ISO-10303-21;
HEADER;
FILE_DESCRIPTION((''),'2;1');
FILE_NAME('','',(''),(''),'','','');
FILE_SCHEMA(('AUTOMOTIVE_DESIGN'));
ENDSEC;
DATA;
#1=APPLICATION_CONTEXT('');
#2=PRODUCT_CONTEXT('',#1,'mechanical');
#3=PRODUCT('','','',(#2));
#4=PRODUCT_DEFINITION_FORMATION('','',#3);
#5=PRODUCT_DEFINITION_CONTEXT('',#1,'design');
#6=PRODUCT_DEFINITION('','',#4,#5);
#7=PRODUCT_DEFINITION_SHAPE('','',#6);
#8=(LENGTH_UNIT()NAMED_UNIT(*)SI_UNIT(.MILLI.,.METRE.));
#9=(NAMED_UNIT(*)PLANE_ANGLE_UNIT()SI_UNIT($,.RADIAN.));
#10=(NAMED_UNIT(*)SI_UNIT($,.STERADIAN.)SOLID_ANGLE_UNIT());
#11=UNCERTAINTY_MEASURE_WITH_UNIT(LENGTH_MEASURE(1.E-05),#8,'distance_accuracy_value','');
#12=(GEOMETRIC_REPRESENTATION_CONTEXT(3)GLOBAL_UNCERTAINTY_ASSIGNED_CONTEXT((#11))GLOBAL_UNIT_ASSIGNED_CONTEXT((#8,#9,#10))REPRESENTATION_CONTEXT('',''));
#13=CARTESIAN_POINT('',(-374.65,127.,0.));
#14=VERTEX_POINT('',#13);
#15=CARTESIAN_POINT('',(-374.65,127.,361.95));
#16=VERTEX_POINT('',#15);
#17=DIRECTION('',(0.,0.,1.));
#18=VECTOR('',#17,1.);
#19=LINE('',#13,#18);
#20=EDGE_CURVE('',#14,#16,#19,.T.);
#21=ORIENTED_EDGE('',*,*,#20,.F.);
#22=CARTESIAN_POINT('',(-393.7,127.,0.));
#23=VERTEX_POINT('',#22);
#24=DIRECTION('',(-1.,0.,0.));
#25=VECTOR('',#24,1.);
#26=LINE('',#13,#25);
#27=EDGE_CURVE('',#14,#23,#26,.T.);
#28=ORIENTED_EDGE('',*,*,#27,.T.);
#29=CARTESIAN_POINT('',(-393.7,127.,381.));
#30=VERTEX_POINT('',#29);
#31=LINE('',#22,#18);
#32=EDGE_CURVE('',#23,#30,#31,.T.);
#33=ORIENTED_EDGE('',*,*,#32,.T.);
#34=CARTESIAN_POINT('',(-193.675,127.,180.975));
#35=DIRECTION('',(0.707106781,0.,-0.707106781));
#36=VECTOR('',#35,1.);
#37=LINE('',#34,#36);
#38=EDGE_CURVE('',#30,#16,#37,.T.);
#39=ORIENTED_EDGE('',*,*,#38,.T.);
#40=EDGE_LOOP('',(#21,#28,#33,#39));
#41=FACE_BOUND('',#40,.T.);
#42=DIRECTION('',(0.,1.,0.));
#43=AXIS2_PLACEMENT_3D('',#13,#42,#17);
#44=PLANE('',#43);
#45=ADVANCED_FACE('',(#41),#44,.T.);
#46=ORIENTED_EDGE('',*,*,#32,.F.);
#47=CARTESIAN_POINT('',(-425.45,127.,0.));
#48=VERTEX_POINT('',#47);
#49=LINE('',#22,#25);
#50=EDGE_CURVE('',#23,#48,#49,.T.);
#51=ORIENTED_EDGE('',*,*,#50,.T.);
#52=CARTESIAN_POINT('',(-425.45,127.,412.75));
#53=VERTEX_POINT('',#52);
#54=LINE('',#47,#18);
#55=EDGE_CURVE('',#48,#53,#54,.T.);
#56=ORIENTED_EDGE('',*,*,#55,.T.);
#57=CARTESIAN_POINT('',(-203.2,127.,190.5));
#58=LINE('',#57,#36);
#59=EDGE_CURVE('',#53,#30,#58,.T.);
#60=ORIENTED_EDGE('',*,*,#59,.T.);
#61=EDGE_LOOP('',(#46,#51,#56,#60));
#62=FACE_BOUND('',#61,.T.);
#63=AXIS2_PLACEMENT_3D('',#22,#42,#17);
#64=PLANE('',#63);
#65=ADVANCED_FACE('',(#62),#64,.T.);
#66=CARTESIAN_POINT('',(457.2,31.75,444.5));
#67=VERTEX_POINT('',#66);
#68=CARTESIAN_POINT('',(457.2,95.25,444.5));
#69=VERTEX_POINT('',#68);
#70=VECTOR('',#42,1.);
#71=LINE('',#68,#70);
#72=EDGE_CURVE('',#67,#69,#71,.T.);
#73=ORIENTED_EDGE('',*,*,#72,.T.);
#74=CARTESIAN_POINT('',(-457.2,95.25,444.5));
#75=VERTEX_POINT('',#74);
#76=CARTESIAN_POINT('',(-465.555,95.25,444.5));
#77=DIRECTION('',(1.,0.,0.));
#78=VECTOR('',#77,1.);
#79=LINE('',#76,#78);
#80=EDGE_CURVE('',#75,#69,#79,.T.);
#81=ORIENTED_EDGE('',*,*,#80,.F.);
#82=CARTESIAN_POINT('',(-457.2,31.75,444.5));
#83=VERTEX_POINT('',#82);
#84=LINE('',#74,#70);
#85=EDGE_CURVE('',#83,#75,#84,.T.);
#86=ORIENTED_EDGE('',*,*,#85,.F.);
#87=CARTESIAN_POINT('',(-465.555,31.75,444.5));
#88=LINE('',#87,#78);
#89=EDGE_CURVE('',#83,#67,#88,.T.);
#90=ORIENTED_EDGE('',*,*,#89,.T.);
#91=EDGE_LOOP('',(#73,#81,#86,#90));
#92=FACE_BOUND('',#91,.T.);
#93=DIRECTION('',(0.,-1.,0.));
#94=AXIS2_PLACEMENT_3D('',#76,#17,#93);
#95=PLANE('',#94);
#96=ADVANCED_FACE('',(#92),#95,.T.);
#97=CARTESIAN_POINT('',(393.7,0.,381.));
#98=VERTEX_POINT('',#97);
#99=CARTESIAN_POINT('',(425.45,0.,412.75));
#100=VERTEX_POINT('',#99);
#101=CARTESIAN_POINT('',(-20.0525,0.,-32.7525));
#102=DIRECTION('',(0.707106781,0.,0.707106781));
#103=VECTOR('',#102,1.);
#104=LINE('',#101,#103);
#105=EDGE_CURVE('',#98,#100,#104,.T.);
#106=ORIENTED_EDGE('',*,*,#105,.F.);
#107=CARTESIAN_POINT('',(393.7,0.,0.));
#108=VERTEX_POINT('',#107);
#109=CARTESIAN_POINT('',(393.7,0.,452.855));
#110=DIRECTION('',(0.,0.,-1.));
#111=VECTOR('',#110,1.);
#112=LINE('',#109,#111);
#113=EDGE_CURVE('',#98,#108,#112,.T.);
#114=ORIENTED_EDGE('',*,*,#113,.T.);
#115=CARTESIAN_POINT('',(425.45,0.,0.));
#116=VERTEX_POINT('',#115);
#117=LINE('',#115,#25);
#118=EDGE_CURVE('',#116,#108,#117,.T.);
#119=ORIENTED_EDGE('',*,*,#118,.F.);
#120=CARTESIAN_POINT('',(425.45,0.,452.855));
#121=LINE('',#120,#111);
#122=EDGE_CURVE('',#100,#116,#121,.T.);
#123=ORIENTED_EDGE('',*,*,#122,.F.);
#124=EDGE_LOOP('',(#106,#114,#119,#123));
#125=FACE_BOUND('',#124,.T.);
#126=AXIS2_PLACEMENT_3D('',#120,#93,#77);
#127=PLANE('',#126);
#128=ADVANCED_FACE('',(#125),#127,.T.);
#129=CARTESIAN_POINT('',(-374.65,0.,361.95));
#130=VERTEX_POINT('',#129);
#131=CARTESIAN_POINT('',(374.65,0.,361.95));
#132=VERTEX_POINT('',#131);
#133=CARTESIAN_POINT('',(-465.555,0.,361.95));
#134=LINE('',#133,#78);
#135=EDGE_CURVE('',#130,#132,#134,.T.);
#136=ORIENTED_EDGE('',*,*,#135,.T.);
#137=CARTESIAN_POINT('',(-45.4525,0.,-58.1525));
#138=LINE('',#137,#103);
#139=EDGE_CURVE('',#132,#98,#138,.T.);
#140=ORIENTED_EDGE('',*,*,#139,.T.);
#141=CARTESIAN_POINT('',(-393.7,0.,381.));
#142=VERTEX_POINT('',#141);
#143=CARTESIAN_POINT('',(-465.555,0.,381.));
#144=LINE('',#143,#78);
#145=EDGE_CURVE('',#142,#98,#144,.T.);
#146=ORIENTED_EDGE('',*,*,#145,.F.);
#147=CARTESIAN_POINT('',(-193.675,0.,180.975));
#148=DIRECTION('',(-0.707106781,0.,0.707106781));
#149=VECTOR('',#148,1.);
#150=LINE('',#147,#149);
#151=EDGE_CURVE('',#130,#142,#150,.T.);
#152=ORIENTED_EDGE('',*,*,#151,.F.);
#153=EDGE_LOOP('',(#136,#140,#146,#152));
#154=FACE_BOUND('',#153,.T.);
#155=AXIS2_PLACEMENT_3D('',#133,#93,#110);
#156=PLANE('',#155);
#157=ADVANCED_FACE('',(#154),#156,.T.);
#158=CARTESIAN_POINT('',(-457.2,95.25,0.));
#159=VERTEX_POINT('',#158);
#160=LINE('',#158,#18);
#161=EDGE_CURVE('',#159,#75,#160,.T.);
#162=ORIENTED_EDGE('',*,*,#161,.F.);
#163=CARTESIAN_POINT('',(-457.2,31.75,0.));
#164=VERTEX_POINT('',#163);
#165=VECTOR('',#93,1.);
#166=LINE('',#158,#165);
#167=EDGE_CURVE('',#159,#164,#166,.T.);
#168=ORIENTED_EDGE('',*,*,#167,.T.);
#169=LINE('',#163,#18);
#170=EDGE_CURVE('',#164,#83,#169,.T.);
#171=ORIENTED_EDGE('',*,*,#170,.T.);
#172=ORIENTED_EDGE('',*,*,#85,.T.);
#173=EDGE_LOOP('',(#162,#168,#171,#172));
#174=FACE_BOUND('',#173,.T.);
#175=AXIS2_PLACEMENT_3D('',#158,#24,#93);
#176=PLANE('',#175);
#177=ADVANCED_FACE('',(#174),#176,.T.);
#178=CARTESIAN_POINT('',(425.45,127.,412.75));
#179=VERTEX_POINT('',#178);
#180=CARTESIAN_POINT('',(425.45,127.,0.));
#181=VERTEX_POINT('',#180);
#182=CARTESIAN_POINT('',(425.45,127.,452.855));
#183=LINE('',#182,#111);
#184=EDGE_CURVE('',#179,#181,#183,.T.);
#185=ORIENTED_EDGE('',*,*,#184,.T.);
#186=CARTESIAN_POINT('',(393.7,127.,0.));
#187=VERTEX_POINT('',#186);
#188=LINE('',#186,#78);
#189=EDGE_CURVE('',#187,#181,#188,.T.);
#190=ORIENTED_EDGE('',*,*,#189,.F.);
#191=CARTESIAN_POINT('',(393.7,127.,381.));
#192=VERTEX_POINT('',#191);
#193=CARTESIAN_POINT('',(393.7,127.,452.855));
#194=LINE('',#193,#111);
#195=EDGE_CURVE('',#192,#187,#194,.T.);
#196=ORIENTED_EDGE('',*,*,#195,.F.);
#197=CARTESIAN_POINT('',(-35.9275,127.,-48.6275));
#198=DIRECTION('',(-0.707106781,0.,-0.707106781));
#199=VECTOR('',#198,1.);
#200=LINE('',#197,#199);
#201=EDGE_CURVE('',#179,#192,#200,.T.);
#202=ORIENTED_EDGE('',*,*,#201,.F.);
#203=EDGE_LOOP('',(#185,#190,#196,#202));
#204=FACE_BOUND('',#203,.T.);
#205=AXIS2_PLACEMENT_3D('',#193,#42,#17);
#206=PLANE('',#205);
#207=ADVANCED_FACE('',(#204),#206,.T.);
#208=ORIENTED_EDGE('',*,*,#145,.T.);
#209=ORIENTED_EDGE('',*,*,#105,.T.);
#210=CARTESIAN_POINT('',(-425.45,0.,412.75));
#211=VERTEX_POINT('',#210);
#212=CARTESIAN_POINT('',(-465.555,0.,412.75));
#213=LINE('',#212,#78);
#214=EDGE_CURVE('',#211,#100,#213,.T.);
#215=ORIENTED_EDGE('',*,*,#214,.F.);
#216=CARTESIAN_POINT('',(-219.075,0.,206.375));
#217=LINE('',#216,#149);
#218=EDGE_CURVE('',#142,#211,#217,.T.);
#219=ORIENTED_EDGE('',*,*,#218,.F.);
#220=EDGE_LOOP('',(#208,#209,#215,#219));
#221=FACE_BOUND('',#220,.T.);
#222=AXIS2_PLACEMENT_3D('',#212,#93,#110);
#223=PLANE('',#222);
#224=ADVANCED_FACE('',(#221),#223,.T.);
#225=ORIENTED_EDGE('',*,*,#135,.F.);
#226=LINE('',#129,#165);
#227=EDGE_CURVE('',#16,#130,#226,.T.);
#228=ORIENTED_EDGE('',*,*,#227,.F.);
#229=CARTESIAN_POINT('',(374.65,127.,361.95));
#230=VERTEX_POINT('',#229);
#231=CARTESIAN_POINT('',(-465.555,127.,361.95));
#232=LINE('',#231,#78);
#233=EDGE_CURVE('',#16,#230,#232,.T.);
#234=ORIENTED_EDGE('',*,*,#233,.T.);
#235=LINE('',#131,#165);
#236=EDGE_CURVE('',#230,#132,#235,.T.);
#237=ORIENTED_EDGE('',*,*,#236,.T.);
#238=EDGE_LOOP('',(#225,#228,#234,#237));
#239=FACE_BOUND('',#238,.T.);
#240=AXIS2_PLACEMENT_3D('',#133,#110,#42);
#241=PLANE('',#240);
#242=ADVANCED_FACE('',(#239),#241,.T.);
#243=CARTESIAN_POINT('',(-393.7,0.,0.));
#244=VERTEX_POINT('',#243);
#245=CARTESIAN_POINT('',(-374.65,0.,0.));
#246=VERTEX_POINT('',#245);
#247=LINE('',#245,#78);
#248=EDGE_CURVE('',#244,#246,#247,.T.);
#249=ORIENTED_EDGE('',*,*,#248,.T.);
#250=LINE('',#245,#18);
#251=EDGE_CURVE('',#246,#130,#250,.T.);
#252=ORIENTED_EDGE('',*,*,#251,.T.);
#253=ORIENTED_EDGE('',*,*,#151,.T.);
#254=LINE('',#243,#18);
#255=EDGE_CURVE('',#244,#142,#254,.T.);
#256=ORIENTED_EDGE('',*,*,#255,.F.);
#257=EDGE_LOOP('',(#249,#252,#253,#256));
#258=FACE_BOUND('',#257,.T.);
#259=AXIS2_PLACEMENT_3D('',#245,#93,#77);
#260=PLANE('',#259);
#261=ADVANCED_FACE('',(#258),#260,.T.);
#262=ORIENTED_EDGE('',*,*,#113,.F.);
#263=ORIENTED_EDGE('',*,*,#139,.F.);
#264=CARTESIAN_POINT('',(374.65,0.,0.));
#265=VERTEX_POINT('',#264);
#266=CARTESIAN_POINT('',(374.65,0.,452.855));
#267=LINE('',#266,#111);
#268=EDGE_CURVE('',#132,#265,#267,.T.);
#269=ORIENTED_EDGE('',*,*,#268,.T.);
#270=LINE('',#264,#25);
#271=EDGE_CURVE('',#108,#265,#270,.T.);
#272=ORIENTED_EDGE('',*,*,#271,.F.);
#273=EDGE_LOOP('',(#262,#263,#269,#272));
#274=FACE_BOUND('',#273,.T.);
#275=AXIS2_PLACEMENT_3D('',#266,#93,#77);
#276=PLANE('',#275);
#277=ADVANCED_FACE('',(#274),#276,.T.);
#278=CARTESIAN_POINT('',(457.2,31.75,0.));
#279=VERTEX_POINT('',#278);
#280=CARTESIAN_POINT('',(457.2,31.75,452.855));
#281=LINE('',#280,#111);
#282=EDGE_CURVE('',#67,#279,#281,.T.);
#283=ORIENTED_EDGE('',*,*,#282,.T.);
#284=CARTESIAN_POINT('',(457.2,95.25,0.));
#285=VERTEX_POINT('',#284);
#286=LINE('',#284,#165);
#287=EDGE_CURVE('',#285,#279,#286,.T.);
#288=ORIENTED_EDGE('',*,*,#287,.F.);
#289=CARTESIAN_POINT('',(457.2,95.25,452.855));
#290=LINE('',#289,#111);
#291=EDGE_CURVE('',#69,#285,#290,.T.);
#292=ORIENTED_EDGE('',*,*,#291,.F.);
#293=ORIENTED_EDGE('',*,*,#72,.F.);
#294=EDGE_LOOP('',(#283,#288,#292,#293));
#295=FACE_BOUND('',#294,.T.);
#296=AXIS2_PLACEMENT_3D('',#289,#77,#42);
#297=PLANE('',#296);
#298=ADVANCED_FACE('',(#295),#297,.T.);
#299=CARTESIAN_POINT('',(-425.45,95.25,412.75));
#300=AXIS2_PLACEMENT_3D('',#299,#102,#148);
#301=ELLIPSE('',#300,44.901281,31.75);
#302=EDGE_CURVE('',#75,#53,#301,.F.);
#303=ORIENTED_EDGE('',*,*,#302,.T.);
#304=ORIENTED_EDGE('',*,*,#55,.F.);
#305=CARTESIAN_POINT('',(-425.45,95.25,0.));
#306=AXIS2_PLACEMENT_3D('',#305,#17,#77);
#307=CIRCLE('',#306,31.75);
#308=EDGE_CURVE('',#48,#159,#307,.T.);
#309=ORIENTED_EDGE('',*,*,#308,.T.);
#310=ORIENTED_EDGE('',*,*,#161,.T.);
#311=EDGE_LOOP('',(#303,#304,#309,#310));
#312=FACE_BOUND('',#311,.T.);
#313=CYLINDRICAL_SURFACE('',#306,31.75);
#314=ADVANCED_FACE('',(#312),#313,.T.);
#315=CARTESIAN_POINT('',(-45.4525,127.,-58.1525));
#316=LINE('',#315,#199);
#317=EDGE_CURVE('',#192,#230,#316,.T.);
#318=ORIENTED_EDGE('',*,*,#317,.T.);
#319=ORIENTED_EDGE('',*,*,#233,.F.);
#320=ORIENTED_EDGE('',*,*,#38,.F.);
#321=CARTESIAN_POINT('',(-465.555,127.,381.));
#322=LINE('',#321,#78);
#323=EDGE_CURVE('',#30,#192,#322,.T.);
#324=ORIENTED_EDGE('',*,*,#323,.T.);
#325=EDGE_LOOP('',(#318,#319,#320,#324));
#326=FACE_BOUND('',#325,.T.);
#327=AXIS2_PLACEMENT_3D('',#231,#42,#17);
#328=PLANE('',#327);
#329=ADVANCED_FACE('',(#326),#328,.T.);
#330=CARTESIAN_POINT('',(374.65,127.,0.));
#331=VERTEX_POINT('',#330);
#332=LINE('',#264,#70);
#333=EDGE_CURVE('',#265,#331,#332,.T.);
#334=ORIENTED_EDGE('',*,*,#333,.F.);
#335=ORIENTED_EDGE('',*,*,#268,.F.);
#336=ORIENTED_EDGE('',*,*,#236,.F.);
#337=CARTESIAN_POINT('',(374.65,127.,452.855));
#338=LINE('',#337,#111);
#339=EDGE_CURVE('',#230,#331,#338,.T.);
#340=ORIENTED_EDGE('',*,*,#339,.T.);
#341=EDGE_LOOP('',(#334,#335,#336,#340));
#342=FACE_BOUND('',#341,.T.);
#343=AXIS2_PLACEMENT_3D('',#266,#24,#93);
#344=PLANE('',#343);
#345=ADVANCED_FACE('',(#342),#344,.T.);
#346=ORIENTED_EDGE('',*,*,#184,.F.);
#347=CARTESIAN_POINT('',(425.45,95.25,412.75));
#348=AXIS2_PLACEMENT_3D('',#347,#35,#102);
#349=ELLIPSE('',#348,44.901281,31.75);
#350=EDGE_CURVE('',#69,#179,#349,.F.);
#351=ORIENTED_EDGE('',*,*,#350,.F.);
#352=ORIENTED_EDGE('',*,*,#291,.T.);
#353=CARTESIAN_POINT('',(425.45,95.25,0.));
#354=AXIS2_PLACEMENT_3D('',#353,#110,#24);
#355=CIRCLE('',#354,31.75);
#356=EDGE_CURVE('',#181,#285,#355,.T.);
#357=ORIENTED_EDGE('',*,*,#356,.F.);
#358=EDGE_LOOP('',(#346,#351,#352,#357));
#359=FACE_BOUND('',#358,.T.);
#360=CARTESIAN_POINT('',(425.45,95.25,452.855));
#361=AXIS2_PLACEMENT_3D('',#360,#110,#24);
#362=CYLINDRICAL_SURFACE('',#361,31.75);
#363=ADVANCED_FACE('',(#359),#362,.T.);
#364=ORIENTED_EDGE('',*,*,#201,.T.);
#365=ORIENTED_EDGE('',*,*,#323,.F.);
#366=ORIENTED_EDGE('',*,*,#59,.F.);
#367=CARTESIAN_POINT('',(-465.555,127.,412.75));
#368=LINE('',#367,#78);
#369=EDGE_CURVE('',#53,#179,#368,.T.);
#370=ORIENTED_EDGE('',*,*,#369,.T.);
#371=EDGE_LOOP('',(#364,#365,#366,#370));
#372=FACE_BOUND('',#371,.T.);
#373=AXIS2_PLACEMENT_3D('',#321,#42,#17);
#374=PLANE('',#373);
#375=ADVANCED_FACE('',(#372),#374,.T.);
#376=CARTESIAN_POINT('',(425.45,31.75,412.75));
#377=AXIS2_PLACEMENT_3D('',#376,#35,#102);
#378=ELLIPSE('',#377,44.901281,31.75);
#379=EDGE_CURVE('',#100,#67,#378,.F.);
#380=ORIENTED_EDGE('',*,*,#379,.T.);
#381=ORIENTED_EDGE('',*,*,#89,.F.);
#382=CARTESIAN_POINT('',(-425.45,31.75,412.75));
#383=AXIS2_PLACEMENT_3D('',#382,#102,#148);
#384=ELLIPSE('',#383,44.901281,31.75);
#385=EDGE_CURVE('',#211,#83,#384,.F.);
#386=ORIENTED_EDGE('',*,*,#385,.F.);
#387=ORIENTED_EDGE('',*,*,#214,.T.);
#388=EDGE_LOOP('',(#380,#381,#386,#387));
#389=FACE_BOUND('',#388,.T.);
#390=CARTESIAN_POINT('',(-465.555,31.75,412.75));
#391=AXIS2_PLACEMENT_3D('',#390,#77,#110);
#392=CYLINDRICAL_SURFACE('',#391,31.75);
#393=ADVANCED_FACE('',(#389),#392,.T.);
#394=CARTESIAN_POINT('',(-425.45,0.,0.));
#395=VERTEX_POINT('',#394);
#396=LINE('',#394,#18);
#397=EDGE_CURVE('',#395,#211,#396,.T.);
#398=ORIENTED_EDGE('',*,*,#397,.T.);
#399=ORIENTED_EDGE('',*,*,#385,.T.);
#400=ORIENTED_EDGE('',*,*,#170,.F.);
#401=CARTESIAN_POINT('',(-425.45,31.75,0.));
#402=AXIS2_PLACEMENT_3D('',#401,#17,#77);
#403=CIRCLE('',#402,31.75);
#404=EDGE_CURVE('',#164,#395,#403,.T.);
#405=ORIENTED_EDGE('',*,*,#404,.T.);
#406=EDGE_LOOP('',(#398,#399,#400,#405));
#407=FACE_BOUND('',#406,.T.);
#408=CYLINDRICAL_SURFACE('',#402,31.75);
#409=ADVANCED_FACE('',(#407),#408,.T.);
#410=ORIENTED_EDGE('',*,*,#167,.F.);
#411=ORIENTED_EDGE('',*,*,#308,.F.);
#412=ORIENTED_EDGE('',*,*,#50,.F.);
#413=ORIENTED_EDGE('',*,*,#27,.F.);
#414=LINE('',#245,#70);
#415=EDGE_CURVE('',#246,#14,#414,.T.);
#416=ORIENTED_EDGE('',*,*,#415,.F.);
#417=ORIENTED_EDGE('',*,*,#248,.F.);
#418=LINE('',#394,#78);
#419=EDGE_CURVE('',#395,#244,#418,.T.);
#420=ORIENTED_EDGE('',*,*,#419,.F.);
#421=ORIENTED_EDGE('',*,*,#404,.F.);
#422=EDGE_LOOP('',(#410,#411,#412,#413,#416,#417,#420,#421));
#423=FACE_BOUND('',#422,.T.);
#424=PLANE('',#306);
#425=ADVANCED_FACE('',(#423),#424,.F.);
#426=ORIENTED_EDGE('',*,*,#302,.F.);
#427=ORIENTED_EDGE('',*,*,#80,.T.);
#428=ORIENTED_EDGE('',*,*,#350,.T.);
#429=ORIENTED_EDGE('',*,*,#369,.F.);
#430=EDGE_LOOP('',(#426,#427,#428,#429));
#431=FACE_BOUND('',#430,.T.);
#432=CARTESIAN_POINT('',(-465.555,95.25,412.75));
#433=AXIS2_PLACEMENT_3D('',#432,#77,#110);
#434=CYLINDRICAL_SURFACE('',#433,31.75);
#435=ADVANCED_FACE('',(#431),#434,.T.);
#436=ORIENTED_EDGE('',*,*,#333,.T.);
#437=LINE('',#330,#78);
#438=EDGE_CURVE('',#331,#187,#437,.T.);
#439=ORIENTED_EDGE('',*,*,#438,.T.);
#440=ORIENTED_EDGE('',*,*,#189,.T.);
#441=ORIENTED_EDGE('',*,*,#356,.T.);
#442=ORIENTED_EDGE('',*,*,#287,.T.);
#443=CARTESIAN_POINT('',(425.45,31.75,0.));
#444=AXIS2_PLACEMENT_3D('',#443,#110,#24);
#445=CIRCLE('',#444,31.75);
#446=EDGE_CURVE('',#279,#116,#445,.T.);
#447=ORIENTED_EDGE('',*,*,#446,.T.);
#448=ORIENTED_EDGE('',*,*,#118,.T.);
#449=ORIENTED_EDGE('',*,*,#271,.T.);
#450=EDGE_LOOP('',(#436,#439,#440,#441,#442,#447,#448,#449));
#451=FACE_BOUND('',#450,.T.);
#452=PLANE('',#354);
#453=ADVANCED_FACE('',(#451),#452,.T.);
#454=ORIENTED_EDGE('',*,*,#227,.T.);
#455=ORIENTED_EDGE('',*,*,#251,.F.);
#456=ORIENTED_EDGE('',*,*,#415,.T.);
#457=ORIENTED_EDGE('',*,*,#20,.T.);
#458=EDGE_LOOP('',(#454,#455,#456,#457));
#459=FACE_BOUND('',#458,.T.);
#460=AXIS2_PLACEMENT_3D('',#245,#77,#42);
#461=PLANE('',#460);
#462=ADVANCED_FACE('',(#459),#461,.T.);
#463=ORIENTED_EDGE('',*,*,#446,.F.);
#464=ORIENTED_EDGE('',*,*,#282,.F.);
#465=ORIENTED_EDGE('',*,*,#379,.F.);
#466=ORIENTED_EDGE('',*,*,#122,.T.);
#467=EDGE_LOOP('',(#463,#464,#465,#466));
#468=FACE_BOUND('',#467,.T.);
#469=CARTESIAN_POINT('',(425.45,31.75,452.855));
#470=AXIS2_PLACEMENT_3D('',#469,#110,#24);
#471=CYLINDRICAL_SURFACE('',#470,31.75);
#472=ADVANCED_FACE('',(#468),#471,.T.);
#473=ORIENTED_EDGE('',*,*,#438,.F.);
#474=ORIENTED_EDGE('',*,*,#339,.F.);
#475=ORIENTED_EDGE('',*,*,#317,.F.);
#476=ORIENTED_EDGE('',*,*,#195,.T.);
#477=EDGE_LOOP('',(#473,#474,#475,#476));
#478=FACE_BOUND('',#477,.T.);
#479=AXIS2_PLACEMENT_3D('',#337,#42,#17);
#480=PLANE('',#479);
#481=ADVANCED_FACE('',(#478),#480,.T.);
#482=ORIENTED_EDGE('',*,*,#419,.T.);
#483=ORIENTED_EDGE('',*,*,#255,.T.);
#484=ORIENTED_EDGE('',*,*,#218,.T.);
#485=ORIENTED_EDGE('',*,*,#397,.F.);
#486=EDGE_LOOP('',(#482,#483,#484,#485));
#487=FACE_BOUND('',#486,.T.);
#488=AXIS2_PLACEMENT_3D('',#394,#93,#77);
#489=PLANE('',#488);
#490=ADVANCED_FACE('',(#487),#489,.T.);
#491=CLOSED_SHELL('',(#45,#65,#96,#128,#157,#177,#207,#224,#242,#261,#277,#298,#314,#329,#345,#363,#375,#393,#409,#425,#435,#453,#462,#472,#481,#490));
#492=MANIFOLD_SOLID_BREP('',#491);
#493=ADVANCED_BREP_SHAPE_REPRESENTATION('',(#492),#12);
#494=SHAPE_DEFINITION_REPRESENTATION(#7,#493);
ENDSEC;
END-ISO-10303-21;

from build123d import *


with BuildPart() as part:
    # Sweep1: sweep along a path in Sketch2
    with BuildLine(Plane(origin=(0, 0, 0), x_dir=(1, 0, 0), z_dir=(0, 1, 0))) as sweep1_path:
        Line((-374.65, 0), (-374.65, -361.95))
        Line((-374.65, -361.95), (374.65, -361.95))
        Line((374.65, -361.95), (374.65, 0))
    # Sketch1 → Sweep1 (sweep)
    with BuildSketch(Plane.XY):
        with BuildLine():
            Line((-393.7, 127), (-425.45, 127))
            ThreePointArc((-425.45, 127), (-447.900640303, 117.700640303), (-457.2, 95.25))
            Line((-457.2, 95.25), (-457.2, 31.75))
            ThreePointArc((-457.2, 31.75), (-447.900640303, 9.299359697), (-425.45, 0))
            Line((-425.45, 0), (-393.7, 0))
            Line((-393.7, 0), (-374.65, 0))
            Line((-374.65, 0), (-374.65, 127))
            Line((-374.65, 127), (-393.7, 127))
        make_face()
    sweep(path=sweep1_path.line, transition=Transition.RIGHT)


solid = part.part
